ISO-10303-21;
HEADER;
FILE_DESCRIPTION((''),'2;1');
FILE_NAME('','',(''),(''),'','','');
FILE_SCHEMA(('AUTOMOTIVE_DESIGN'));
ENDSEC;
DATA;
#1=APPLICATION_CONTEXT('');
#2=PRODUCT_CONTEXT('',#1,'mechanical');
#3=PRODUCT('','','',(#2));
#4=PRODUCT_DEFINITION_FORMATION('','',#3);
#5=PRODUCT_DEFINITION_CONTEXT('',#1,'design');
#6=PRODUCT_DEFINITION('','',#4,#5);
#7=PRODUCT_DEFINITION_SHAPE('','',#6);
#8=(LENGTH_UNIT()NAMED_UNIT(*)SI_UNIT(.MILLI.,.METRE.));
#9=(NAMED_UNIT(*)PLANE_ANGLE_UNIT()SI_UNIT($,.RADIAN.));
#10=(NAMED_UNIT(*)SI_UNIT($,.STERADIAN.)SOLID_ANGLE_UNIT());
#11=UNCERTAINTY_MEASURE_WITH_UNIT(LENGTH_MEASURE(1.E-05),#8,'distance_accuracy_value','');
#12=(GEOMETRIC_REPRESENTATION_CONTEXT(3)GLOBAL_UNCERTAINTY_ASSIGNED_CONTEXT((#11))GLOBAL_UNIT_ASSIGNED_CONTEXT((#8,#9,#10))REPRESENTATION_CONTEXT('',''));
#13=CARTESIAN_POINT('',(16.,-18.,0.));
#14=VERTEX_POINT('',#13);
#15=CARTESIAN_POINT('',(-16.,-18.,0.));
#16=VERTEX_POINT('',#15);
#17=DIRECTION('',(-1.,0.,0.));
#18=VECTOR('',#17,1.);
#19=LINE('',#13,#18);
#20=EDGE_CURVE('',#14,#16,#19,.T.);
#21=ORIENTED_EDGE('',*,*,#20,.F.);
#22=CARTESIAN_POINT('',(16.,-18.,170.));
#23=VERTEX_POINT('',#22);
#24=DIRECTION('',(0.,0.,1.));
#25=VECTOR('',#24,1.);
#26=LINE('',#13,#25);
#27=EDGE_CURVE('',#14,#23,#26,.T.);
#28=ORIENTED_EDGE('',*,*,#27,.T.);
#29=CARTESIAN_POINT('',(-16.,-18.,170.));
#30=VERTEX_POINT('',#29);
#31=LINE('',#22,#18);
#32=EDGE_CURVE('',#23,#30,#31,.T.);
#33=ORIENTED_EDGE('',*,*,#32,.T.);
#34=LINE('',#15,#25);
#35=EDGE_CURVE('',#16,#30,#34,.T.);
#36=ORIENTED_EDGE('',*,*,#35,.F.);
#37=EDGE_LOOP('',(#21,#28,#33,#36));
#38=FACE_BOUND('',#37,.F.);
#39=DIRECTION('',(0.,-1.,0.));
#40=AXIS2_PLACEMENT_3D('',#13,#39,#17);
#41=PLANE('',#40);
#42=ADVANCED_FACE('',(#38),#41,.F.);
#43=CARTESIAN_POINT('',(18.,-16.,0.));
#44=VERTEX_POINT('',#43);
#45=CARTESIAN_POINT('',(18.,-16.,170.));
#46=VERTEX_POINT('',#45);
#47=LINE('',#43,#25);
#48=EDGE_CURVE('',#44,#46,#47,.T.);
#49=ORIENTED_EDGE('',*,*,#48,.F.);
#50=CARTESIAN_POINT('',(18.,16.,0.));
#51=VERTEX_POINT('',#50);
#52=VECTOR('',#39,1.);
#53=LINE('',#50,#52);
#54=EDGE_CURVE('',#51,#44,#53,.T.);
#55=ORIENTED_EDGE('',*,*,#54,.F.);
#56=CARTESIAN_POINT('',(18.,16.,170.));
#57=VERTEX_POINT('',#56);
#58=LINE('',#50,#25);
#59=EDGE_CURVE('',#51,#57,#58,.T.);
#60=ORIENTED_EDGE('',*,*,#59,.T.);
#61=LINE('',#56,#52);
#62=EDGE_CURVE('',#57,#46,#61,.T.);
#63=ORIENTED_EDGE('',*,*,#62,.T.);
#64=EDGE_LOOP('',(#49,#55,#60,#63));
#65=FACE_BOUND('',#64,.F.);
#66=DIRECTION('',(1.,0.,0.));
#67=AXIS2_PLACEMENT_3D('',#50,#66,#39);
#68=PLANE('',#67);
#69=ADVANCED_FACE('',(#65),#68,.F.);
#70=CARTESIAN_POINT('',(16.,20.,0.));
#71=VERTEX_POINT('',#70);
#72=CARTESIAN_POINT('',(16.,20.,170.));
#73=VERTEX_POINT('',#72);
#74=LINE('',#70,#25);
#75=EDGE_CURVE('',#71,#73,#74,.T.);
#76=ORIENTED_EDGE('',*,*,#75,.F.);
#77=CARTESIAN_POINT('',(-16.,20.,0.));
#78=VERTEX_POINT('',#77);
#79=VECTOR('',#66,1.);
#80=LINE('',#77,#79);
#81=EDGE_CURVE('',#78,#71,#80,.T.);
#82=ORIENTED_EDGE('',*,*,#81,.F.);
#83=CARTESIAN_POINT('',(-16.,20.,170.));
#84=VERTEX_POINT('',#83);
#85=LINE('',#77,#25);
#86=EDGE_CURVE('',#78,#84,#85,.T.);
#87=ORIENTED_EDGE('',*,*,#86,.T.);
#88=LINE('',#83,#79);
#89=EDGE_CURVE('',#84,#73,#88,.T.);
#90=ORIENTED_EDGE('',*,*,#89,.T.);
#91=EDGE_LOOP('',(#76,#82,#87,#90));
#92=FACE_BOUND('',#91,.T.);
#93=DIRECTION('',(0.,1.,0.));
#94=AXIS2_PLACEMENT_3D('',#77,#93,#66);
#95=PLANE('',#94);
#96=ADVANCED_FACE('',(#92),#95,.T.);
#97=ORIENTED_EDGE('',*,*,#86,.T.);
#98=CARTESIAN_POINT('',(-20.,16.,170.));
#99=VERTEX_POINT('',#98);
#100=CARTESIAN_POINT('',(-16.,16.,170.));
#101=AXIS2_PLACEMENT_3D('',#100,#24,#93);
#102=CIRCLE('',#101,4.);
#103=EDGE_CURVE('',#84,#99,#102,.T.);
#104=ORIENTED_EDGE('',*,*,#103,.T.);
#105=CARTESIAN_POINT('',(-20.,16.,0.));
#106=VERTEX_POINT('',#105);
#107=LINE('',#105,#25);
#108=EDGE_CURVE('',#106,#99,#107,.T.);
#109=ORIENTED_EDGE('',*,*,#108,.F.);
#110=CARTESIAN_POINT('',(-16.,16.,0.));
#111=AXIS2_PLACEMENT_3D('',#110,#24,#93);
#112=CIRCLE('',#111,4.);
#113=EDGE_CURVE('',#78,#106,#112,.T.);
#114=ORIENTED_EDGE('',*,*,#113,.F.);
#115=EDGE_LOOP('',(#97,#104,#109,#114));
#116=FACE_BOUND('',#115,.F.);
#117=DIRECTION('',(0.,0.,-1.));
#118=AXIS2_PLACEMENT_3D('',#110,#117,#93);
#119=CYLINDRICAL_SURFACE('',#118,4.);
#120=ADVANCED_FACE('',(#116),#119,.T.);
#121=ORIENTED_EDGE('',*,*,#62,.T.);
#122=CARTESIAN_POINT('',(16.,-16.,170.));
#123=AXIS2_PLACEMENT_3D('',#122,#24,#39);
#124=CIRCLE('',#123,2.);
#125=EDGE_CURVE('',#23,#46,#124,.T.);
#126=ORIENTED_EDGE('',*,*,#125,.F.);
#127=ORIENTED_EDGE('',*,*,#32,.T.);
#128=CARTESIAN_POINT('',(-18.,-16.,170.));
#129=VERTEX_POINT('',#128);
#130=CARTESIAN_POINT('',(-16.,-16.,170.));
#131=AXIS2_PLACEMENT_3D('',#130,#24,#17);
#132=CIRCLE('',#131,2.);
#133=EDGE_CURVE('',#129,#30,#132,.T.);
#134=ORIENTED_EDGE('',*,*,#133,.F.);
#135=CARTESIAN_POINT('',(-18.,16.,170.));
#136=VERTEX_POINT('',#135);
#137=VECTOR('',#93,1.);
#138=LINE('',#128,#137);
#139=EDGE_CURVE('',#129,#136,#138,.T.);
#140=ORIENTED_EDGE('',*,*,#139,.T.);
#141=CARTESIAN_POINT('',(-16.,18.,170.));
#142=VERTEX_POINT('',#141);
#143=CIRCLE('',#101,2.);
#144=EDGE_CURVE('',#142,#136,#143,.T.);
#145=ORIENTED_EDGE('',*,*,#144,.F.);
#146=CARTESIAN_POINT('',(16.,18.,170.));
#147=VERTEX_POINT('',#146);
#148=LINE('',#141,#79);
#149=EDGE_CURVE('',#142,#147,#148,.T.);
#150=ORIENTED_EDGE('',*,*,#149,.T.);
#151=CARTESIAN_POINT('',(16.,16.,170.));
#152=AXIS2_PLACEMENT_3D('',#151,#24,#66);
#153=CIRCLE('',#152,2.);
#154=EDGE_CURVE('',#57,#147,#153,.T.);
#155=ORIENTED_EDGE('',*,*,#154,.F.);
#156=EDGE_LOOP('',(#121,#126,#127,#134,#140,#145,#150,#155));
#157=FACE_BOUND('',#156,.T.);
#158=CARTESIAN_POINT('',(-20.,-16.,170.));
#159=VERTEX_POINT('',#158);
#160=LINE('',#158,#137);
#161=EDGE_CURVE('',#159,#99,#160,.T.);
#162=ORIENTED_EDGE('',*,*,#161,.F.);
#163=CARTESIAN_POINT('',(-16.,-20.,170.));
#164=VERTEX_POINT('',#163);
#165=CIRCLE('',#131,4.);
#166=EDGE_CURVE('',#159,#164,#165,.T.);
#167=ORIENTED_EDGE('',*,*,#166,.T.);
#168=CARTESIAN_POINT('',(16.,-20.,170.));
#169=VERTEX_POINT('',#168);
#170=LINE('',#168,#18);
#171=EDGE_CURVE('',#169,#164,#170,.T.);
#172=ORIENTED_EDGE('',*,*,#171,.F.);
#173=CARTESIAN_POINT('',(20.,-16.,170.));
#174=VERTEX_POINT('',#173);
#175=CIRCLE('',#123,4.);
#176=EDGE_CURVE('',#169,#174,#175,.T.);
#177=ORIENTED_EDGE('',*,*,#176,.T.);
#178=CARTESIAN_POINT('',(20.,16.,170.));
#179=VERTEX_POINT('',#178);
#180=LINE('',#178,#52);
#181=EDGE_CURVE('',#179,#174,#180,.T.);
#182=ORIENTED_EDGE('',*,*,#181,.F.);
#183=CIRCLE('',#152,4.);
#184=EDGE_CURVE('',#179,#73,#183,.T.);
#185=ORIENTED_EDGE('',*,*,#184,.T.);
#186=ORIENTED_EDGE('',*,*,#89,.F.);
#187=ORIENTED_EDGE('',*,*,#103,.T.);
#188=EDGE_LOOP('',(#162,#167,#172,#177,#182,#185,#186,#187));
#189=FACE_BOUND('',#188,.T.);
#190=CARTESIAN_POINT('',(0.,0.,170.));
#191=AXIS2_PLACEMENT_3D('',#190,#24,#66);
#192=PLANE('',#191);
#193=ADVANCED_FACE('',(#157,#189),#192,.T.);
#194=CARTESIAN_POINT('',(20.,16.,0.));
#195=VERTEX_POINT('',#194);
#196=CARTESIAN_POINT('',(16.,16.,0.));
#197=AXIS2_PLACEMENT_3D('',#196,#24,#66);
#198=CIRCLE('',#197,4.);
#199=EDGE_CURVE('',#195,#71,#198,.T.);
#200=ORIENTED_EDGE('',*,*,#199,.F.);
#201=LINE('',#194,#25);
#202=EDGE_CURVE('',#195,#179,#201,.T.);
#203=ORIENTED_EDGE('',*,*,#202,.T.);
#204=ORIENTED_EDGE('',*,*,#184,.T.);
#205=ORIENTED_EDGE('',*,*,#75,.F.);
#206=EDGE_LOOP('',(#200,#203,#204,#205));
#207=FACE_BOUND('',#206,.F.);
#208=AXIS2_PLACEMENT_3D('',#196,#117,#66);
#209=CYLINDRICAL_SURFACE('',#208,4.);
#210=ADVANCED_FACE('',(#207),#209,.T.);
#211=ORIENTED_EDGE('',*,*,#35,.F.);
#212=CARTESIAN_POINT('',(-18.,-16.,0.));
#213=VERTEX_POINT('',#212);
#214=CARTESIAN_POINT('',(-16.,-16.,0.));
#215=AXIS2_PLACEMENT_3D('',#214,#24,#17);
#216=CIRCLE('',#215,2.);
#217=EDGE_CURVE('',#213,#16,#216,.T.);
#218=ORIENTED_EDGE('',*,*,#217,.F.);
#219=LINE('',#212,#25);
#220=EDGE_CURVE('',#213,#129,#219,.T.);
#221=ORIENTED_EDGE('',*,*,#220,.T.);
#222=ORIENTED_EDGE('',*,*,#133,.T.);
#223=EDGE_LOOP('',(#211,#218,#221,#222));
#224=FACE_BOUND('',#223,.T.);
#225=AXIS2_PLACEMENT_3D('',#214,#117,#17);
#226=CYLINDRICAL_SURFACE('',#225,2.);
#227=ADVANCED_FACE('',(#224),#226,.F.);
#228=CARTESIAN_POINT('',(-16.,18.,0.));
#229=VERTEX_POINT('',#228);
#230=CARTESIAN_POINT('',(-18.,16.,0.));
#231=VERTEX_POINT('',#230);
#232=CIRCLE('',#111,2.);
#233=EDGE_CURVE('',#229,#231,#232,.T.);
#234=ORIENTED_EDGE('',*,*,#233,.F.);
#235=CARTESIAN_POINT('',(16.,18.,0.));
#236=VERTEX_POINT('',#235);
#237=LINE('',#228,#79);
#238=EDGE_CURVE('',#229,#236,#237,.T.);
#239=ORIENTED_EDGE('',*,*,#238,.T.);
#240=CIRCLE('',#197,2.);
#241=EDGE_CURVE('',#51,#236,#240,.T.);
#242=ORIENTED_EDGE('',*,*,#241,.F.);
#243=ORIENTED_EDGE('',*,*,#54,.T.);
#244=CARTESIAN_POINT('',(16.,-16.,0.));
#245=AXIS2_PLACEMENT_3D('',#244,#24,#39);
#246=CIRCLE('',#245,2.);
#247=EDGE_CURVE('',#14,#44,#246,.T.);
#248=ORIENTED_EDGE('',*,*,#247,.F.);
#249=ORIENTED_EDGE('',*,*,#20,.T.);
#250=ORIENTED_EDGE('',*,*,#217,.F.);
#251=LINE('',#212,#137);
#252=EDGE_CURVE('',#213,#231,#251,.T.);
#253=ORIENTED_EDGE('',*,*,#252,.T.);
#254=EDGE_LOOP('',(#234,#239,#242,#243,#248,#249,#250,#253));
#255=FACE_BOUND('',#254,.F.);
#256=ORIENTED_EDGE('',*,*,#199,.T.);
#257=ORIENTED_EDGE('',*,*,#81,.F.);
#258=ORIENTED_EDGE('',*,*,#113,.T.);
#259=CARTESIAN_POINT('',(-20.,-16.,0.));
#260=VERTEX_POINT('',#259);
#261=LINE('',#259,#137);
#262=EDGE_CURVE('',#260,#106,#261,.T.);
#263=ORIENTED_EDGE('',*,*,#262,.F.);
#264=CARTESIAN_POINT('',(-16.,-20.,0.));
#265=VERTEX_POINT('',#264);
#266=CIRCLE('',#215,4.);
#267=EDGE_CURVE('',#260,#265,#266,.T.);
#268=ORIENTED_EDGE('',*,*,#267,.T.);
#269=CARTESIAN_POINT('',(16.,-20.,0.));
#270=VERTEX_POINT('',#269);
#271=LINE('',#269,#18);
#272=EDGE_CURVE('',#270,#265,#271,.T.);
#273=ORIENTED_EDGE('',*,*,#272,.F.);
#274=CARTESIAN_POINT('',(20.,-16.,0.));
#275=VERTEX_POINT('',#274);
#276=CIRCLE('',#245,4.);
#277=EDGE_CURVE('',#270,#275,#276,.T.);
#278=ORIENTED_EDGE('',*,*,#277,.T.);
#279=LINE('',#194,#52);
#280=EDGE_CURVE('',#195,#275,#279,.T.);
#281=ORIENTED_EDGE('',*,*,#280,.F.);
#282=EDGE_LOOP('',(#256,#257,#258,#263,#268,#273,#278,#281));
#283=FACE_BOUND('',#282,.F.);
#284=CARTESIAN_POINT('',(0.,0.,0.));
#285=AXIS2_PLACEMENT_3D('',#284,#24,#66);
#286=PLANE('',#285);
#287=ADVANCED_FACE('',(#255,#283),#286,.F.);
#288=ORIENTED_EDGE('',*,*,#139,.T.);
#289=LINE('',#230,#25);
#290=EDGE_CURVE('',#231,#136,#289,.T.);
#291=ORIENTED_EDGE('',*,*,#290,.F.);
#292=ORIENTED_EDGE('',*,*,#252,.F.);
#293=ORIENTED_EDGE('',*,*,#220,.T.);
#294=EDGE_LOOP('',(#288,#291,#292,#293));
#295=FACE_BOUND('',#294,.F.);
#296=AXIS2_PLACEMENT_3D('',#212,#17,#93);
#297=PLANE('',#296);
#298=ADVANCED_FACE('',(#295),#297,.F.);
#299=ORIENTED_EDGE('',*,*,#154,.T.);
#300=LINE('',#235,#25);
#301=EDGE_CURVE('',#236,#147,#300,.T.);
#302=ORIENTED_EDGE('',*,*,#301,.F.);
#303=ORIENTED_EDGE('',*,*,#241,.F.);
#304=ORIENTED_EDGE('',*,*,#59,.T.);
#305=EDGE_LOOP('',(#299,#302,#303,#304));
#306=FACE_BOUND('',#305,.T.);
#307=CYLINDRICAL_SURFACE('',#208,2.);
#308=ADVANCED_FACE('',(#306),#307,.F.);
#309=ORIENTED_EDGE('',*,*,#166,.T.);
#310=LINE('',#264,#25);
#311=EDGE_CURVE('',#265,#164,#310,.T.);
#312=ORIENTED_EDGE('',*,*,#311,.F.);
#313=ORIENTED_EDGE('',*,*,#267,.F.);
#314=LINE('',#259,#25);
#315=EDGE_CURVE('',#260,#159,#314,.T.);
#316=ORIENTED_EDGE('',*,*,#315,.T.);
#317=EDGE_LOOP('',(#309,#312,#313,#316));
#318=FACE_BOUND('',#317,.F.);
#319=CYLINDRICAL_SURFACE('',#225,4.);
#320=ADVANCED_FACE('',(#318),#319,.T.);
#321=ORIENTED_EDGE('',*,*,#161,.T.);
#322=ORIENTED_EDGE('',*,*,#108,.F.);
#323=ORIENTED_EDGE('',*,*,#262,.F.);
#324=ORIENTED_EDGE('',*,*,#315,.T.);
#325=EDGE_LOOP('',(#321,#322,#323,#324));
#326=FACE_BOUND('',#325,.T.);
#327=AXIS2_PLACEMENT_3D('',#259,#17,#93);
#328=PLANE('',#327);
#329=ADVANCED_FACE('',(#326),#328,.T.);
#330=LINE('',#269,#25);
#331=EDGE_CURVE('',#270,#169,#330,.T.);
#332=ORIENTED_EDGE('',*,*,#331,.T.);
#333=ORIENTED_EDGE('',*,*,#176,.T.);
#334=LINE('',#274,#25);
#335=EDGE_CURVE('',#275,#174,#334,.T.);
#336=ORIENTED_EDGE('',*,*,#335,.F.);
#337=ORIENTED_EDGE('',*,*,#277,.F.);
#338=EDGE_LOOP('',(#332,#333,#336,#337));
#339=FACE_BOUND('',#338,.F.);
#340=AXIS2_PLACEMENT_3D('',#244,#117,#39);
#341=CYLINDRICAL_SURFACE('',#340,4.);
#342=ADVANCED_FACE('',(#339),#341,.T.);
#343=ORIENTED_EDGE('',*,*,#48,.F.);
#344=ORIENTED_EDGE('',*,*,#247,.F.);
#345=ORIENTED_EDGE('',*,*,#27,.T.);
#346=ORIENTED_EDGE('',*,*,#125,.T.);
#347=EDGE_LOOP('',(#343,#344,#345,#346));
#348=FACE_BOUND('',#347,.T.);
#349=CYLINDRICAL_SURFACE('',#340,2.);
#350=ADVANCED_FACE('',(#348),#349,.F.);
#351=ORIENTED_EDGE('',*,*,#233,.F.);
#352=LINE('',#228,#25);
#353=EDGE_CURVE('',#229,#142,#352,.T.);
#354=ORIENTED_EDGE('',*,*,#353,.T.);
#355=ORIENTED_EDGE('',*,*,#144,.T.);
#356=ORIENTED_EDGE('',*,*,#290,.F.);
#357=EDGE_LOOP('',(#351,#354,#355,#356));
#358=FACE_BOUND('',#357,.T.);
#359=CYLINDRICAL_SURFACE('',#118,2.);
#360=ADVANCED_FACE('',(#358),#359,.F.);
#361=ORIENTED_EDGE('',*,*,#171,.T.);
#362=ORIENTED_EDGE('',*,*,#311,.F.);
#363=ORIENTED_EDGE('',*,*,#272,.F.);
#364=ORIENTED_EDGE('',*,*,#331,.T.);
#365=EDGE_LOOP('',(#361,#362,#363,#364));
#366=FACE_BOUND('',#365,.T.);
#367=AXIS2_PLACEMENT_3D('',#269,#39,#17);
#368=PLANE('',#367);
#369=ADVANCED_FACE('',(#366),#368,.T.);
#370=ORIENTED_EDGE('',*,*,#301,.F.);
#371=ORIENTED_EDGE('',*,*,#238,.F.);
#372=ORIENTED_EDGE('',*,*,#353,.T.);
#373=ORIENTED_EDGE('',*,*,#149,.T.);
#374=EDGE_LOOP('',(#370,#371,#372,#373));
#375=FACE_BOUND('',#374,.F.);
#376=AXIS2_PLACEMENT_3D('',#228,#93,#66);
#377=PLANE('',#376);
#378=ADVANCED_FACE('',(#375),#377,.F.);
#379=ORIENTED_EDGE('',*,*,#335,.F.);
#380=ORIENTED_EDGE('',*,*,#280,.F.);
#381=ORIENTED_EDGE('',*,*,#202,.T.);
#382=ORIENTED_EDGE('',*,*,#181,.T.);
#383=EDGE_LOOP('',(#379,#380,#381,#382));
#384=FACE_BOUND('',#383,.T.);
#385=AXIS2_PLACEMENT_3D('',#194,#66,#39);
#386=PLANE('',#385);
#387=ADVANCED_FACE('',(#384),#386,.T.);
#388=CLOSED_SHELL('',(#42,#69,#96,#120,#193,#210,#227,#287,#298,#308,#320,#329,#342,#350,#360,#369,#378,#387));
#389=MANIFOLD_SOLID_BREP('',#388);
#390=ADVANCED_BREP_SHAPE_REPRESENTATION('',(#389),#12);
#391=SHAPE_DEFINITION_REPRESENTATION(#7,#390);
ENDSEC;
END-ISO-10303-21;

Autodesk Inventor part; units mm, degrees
ref_plane "YZ Plane" through (0, 0, 0) normal (1, 0, 0) x (0, 1, 0)
ref_plane "Start Plane" through (0, 0, 0) normal (0, 0, 1) x (1, 0, 0)
ref_plane "End Plane" through (0, 0, 170) normal (0, 0, 1) x (1, 0, 0)
sketch "Sketch" plane through (0, 0, 0) normal (0, 0, 1) x (1, 0, 0)
  line L0 (-20, -16) -> (-20, 16)
  line L1 (-16, 20) -> (16, 20)
  line L2 (20, 16) -> (20, -16)
  line L3 (16, -20) -> (-16, -20)
  arc A0 (-20, -16) -> (-16, -20) centre (-16, -16) ccw
  arc A1 (20, 16) -> (16, 20) centre (16, 16) ccw
  arc A2 (-16, 20) -> (-20, 16) centre (-16, 16) ccw
  arc A3 (16, -20) -> (20, -16) centre (16, -16) ccw
  arc A4 (-16, 18) -> (-18, 16) centre (-16, 16) ccw
  line L4 (-16, 18) -> (16, 18)
  arc A5 (18, 16) -> (16, 18) centre (16, 16) ccw
  line L5 (18, 16) -> (18, -16)
  arc A6 (16, -18) -> (18, -16) centre (16, -16) ccw
  line L6 (16, -18) -> (-16, -18)
  arc A7 (-18, -16) -> (-16, -18) centre (-16, -16) ccw
  line L7 (-18, -16) -> (-18, 16)
  line L8 (0, 29.1598) -> (0, -29.1598) construction
  line L9 (-29.1598, 0) -> (29.1598, 0) construction
  dimension "d7" = 4
  dimension "d9" = 40
  dimension "d11" = 40
  dimension "d12" = 2
  dimension "d15" = 20
  dimension "d16" = 20
extrude "Body" add sketch "Sketch" along normal up to surface (170 mm away) from surface at 0
sketch "Sketch3" plane through (0, 0, 0) normal (0, 0, 1) x (1, 0, 0)
  line L0 (0, 0) -> (10, 0)
ref_plane "Work Plane3" through (0, 0, 0) normal (0, -1, 0) x (1, 0, 0)
sketch "Sketch4" plane through (0, 0, 0) normal (0, -1, 0) x (1, 0, 0)
  line L0 (-2, 0) -> (12, 0) projected
  line L1 (-2, 170) -> (12, 170) projected
  dimension "d18" = 170
equation "\"d7\" = G_IR"
equation "\"d9\" = G_W"
equation "\"d11\" = G_H"
equation "\"d12\" = G_T"
equation "\"d15\" = 0.5 * d9"
equation "\"d16\" = 0.5 * d11"
equation "\"d3\" = G_L"
equation "\"G_W\" = 40"
equation "\"G_H\" = 40"
equation "\"G_T\" = 2"
equation "\"G_IR\" = 4"
equation "\"G_L\" = d18"
equation "\"G_OFFSET_START\" = 0"
equation "\"G_OFFSET_END\" = 0"
properties part number "ISO 4019 - 40x40x2 - 170" material "Steel, Mild"
